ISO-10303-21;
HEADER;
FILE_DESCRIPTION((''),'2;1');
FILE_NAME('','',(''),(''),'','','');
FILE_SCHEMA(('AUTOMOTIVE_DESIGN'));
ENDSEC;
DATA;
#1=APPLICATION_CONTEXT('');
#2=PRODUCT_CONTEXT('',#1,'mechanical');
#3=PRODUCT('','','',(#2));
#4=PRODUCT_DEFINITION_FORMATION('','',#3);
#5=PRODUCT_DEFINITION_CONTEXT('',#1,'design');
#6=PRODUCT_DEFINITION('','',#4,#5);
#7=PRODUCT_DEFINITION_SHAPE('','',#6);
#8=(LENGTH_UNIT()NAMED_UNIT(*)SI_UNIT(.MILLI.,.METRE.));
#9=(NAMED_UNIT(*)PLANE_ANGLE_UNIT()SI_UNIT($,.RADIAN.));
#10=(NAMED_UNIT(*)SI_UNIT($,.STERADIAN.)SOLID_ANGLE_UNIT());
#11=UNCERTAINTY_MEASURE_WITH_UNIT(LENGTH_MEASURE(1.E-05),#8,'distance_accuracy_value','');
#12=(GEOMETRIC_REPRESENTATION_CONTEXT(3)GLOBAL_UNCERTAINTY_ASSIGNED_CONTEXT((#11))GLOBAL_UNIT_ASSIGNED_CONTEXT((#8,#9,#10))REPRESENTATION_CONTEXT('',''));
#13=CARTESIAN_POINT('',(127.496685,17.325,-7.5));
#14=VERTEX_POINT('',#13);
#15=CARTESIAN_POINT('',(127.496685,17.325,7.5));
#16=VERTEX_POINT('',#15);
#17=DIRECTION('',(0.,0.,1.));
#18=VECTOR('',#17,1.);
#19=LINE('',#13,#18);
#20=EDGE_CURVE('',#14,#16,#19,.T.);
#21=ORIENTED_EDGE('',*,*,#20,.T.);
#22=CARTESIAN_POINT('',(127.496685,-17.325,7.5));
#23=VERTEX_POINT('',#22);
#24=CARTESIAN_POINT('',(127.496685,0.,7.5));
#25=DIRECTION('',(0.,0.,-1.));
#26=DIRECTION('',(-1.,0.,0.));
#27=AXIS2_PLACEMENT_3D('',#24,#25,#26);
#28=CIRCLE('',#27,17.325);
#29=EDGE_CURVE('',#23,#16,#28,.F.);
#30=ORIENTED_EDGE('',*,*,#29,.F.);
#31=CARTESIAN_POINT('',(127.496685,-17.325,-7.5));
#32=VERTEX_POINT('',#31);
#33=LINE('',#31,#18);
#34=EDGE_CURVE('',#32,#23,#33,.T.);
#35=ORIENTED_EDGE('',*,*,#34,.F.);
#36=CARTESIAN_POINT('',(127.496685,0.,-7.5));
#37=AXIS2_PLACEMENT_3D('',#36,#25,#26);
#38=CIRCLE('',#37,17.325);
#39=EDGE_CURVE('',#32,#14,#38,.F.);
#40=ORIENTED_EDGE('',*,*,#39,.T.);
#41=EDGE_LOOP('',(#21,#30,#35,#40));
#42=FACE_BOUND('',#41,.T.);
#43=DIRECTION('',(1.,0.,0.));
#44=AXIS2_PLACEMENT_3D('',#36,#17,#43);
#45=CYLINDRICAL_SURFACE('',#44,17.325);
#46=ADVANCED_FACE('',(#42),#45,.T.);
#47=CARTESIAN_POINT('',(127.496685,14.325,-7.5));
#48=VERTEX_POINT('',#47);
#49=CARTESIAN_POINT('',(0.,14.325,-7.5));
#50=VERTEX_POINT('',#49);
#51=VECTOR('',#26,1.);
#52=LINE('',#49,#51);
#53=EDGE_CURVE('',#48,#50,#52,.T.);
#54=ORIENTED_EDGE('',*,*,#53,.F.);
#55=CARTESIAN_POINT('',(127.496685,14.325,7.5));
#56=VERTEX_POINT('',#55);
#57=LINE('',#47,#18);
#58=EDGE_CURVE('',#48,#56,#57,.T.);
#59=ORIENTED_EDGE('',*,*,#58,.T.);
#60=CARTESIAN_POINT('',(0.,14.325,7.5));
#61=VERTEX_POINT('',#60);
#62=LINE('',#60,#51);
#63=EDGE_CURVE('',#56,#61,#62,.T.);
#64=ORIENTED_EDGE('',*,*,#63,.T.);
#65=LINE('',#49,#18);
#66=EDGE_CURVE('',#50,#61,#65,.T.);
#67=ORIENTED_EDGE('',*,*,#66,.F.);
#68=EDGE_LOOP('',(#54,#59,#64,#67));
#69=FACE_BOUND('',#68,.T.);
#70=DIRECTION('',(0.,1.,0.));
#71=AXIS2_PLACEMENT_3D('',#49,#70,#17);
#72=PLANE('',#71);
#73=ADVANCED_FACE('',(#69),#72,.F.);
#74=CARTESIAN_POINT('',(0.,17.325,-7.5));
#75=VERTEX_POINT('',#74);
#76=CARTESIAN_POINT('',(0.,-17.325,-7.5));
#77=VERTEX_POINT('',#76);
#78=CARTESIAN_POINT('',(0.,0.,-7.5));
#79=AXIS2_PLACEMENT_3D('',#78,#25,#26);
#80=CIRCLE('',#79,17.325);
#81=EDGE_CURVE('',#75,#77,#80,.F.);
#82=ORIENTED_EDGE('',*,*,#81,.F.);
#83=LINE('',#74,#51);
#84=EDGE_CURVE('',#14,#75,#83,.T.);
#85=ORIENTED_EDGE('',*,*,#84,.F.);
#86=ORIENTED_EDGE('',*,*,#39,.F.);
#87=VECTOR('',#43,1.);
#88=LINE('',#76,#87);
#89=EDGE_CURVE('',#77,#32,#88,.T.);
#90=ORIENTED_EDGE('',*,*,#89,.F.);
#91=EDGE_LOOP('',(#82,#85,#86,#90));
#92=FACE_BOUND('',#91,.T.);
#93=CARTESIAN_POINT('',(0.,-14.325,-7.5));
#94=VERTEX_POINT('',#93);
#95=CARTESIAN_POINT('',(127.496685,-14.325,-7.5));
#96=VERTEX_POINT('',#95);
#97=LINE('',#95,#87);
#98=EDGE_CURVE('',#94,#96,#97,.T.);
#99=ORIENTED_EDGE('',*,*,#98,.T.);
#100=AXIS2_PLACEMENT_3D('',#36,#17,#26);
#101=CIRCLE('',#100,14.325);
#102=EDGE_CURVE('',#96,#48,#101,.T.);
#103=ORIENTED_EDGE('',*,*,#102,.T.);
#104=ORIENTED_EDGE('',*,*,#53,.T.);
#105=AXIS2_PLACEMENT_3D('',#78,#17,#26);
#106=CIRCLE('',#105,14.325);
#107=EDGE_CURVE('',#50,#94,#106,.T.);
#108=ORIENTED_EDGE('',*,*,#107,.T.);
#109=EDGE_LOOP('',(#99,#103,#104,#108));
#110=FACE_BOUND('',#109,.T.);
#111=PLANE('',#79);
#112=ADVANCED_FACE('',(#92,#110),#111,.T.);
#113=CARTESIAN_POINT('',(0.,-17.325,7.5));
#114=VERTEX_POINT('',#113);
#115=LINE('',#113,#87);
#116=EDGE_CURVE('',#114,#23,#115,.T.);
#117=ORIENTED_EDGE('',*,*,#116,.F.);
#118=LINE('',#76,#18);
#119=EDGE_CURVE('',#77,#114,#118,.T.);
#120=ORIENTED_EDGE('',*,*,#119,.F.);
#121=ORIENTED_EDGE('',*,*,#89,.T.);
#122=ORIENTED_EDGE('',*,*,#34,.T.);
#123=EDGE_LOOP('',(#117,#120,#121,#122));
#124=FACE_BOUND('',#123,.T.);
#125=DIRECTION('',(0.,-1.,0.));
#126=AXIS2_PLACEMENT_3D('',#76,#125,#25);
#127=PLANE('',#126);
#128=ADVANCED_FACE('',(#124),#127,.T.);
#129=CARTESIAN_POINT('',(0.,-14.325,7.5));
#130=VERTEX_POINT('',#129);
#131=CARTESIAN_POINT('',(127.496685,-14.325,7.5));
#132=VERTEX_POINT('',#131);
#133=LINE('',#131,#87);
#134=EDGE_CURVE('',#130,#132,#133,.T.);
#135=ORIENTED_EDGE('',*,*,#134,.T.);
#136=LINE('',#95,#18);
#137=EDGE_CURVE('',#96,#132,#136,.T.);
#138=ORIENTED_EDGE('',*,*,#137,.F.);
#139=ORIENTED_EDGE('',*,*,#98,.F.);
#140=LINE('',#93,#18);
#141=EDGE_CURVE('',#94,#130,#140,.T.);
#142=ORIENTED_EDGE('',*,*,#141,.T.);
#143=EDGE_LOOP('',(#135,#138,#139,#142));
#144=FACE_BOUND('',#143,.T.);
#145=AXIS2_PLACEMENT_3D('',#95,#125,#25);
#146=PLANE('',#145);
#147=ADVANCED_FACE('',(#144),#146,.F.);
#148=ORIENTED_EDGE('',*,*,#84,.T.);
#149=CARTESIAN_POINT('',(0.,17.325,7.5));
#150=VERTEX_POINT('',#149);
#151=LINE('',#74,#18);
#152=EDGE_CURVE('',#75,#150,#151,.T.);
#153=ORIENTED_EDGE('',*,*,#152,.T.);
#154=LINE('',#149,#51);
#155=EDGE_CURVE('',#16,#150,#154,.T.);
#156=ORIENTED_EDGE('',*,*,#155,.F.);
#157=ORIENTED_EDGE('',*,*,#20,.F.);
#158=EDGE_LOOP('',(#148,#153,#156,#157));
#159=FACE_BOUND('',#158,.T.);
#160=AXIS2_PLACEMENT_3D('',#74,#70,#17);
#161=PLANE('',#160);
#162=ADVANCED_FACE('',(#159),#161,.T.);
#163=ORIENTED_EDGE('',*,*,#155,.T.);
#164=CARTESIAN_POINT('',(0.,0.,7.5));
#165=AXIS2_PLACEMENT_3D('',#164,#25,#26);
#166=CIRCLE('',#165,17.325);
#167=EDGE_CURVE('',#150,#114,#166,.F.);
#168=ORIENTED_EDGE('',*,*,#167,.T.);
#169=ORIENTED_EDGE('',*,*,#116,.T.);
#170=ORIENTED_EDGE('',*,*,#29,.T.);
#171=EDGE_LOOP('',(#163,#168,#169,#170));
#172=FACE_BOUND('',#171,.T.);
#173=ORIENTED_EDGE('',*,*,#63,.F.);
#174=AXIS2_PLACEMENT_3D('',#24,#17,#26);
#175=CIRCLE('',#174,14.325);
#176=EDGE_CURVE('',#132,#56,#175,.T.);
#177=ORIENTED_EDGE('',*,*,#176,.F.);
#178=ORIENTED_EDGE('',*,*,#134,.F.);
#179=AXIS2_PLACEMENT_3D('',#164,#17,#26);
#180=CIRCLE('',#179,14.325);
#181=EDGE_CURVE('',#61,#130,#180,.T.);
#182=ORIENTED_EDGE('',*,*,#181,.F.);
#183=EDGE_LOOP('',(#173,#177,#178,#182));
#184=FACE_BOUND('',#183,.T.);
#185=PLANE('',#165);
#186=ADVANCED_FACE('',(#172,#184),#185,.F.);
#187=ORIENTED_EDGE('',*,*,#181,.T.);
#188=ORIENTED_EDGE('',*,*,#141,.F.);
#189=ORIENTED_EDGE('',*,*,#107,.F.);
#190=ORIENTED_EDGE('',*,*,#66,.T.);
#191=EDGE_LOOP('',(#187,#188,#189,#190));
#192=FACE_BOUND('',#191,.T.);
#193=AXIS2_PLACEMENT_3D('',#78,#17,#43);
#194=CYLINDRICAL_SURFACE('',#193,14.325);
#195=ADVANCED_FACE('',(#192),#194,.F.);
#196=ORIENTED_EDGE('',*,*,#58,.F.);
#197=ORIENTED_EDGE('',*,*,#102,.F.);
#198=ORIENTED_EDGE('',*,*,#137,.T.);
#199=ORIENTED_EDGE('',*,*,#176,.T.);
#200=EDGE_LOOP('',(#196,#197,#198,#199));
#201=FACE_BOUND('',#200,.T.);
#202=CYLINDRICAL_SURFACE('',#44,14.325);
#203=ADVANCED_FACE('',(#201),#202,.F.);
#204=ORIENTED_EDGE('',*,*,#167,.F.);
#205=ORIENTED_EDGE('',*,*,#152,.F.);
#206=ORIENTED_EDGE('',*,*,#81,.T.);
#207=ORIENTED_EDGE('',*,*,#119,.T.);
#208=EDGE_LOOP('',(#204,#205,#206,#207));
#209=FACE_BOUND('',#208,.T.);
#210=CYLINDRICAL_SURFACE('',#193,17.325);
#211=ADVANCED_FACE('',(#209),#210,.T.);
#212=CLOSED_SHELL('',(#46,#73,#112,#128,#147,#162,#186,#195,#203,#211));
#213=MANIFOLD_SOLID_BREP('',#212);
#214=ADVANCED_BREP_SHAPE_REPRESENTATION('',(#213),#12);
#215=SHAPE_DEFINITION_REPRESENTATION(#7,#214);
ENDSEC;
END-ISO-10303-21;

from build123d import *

# Parameters (mm, degrees)
EXTRUDE_THIN1_DEPTH = 7.5


with BuildPart() as part:
    # Sketch2 → Extrude-Thin1 (new, symmetric)
    with BuildSketch(Plane.XY):
        with BuildLine():
            Line((127.496685237, -17.325), (0, -17.325))
            ThreePointArc((0, -17.325), (-17.325, 0), (0, 17.325))
            Line((0, 17.325), (127.496685237, 17.325))
            ThreePointArc((127.496685237, 17.325), (144.821685237, 0), (127.496685237, -17.325))
        make_face()
        with BuildLine():
            Line((127.496685237, -14.325), (0, -14.325))
            ThreePointArc((0, -14.325), (-14.325, 0), (0, 14.325))
            Line((0, 14.325), (127.496685237, 14.325))
            ThreePointArc((127.496685237, 14.325), (141.821685237, 0), (127.496685237, -14.325))
        make_face(mode=Mode.SUBTRACT)
    extrude(amount=EXTRUDE_THIN1_DEPTH, both=True)


solid = part.part
